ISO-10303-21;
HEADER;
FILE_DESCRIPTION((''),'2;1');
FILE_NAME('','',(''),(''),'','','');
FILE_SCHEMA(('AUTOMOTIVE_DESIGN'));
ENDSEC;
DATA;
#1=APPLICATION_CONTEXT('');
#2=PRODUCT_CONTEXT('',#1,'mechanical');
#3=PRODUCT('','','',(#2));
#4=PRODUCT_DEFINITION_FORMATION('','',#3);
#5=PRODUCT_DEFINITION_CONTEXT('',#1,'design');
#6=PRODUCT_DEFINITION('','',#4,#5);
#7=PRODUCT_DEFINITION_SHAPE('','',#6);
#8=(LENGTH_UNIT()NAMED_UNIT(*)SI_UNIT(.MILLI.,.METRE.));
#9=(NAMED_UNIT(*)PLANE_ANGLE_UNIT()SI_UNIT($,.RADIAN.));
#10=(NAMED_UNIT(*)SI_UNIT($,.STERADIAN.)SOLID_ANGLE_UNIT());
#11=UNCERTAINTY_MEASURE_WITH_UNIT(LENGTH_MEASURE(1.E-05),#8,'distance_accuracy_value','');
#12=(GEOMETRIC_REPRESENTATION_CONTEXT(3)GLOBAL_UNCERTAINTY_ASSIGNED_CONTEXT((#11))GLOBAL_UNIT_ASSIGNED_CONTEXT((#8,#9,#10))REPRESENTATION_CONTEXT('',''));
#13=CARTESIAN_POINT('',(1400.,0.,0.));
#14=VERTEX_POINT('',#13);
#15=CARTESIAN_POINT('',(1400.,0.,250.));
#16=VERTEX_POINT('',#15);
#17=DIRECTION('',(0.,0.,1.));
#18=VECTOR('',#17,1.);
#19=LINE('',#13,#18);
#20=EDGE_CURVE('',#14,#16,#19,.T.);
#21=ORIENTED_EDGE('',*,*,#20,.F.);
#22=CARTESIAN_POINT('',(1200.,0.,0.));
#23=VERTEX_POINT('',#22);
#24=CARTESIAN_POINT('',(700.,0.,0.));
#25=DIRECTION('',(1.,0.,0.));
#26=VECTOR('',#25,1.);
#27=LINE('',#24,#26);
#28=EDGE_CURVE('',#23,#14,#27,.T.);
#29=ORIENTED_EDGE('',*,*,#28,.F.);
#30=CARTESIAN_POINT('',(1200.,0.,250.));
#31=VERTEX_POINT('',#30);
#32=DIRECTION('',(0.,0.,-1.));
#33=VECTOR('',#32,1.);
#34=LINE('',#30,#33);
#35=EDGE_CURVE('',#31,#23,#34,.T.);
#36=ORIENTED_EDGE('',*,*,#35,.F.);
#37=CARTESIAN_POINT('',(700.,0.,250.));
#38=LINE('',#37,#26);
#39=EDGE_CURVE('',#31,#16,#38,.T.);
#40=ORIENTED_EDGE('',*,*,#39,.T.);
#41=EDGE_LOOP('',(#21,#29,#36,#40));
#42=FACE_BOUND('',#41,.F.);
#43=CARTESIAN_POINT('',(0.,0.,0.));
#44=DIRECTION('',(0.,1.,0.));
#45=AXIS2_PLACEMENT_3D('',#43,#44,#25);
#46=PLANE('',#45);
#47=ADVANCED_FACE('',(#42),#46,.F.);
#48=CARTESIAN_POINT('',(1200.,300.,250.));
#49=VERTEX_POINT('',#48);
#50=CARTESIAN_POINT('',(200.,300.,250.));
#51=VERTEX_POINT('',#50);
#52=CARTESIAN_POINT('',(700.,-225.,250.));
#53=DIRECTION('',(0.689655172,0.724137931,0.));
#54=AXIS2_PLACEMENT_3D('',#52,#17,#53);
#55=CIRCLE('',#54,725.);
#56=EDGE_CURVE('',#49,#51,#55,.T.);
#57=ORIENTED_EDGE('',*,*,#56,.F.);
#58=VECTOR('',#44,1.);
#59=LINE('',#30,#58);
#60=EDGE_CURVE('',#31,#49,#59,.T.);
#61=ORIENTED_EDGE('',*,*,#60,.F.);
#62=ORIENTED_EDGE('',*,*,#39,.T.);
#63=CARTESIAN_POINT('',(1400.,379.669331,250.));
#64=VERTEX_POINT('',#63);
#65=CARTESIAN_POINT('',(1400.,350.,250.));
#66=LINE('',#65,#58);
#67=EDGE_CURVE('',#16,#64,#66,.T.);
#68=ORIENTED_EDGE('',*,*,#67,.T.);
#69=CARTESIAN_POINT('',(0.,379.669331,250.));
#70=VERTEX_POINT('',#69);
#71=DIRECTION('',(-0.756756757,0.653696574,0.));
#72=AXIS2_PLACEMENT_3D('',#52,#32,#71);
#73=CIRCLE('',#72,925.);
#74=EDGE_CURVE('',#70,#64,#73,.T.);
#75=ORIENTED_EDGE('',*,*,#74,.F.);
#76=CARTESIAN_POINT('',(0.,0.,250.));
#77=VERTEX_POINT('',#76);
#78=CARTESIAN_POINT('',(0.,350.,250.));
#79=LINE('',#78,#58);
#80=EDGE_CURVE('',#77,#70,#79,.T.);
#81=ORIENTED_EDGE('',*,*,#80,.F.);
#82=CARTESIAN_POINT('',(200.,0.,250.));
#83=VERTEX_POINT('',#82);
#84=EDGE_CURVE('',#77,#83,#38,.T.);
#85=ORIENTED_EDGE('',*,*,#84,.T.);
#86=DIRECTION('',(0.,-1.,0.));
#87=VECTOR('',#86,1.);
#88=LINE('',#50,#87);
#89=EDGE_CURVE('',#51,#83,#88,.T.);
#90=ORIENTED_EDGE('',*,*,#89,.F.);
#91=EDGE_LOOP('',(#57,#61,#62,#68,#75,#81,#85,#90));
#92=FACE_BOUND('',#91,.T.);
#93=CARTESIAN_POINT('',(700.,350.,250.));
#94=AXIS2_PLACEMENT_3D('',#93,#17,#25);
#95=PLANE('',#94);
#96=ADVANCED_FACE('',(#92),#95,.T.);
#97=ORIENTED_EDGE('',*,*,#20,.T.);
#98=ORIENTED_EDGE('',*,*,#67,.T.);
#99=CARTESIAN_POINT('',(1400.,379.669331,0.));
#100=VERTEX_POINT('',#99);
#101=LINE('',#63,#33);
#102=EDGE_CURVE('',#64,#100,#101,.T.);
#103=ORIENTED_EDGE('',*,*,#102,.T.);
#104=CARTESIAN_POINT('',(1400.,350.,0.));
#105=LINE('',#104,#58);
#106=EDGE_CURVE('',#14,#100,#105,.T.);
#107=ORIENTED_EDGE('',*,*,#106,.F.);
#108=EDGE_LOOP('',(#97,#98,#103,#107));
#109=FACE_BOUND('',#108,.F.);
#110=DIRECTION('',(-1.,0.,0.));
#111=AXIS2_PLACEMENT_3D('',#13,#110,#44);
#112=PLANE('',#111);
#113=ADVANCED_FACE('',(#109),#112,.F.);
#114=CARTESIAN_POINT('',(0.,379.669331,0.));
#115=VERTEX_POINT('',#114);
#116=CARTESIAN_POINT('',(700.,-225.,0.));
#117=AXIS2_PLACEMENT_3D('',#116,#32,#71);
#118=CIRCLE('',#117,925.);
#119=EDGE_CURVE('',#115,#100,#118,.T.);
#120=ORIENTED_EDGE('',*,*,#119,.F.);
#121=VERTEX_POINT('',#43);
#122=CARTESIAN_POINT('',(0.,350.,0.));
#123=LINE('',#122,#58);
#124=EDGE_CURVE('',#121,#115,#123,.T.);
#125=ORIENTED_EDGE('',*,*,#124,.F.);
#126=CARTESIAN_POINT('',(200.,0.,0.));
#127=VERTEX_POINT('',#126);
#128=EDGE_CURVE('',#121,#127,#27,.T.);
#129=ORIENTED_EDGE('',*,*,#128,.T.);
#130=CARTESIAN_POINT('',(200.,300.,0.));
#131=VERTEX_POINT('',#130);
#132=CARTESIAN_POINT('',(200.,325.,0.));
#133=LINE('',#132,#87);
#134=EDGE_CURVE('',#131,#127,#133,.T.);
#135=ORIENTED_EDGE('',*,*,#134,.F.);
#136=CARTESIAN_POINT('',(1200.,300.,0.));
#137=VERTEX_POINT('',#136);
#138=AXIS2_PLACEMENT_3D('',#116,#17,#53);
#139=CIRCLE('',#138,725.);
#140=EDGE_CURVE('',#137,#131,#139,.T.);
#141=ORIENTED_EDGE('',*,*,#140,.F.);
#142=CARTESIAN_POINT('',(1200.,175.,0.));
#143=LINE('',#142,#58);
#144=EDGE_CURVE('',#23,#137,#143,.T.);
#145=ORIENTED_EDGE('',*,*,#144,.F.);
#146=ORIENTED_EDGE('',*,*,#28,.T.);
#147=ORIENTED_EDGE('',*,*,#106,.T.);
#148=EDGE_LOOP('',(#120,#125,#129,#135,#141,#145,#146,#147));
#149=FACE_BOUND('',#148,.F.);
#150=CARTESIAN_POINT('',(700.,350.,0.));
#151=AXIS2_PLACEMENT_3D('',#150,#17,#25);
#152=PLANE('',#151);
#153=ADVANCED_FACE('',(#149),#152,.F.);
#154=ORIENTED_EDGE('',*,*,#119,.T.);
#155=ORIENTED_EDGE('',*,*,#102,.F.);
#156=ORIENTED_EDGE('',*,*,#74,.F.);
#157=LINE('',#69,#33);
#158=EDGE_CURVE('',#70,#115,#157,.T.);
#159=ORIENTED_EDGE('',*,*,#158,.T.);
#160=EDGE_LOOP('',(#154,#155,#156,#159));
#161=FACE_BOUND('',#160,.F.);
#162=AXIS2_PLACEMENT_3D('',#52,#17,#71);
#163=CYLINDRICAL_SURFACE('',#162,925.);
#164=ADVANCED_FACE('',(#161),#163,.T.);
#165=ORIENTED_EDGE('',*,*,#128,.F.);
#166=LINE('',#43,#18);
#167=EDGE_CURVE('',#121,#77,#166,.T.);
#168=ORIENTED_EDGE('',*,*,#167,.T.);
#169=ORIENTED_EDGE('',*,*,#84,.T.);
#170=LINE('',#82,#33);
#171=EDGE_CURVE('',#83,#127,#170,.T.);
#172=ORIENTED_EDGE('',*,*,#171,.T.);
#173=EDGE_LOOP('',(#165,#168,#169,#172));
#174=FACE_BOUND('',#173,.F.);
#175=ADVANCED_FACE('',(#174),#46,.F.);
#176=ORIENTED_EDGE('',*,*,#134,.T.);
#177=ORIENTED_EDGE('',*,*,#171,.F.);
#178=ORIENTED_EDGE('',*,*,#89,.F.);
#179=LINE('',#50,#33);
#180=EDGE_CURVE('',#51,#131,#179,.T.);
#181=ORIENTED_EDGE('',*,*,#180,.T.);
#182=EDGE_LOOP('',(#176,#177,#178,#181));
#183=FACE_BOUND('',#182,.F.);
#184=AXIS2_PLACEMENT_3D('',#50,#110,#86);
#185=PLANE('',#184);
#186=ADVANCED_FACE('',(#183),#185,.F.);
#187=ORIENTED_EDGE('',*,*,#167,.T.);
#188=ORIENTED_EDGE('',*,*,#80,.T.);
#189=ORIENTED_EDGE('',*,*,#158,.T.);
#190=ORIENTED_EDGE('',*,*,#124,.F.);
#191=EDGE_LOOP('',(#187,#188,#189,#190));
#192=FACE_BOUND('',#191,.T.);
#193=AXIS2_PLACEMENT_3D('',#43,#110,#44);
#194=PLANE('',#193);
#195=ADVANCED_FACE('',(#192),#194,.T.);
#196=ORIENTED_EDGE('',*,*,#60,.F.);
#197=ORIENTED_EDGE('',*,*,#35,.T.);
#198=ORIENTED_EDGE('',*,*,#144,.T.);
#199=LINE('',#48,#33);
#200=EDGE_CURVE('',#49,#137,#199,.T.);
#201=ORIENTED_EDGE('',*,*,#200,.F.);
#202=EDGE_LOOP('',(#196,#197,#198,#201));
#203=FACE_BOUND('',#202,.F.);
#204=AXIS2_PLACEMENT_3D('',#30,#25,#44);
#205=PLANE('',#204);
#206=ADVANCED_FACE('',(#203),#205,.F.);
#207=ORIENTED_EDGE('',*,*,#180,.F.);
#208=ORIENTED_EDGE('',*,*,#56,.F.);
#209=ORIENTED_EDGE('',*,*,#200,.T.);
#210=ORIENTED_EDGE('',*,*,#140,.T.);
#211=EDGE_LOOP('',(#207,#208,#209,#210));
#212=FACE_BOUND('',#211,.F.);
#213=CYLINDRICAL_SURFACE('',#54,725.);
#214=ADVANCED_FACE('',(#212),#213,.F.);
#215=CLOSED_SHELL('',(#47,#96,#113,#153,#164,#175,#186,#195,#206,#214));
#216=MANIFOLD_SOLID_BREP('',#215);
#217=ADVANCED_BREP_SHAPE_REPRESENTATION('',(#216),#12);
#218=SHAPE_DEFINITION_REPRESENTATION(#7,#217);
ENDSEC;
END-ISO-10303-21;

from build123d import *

# Parameters (mm, degrees)
F0_W     = 1400
F0_H     = 700
F1_DEPTH = 250
F3_DEPTH = 250.001
F5_DEPTH = 250.001


with BuildPart() as f1:
    # F0 (on Top) → F1 (new body)
    with BuildSketch(Plane.XY):
        with Locations((700, 350)):
            Rectangle(F0_W, F0_H)
    extrude(amount=F1_DEPTH)

    # F2 (on face) → F3 (cut, through all)
    with BuildSketch(Plane.XY.offset(250)):
        with BuildLine():
            Line((200, 300), (200, 0))
            Line((200, 0), (1200, 0))
            Line((1200, 0), (1200, 300))
            ThreePointArc((1200, 300), (700, 500), (200, 300))
        make_face()
    extrude(amount=-F3_DEPTH, mode=Mode.SUBTRACT)

    # F4 (on face) → F5 (cut, through all)
    with BuildSketch(Plane.XY.offset(250)):
        with BuildLine():
            ThreePointArc((0, 379.6693311224), (315.0936031242, 616.1135866481), (700, 700))
            Line((700, 700), (0, 700))
            Line((0, 700), (0, 379.6693311224))
        make_face()
        with BuildLine():
            Line((1400, 700), (700, 700))
            ThreePointArc((700, 700), (1084.9063968758, 616.1135866481), (1400, 379.6693311224))
            Line((1400, 379.6693311224), (1400, 700))
        make_face()
    extrude(amount=-F5_DEPTH, mode=Mode.SUBTRACT)


solid = f1.part
